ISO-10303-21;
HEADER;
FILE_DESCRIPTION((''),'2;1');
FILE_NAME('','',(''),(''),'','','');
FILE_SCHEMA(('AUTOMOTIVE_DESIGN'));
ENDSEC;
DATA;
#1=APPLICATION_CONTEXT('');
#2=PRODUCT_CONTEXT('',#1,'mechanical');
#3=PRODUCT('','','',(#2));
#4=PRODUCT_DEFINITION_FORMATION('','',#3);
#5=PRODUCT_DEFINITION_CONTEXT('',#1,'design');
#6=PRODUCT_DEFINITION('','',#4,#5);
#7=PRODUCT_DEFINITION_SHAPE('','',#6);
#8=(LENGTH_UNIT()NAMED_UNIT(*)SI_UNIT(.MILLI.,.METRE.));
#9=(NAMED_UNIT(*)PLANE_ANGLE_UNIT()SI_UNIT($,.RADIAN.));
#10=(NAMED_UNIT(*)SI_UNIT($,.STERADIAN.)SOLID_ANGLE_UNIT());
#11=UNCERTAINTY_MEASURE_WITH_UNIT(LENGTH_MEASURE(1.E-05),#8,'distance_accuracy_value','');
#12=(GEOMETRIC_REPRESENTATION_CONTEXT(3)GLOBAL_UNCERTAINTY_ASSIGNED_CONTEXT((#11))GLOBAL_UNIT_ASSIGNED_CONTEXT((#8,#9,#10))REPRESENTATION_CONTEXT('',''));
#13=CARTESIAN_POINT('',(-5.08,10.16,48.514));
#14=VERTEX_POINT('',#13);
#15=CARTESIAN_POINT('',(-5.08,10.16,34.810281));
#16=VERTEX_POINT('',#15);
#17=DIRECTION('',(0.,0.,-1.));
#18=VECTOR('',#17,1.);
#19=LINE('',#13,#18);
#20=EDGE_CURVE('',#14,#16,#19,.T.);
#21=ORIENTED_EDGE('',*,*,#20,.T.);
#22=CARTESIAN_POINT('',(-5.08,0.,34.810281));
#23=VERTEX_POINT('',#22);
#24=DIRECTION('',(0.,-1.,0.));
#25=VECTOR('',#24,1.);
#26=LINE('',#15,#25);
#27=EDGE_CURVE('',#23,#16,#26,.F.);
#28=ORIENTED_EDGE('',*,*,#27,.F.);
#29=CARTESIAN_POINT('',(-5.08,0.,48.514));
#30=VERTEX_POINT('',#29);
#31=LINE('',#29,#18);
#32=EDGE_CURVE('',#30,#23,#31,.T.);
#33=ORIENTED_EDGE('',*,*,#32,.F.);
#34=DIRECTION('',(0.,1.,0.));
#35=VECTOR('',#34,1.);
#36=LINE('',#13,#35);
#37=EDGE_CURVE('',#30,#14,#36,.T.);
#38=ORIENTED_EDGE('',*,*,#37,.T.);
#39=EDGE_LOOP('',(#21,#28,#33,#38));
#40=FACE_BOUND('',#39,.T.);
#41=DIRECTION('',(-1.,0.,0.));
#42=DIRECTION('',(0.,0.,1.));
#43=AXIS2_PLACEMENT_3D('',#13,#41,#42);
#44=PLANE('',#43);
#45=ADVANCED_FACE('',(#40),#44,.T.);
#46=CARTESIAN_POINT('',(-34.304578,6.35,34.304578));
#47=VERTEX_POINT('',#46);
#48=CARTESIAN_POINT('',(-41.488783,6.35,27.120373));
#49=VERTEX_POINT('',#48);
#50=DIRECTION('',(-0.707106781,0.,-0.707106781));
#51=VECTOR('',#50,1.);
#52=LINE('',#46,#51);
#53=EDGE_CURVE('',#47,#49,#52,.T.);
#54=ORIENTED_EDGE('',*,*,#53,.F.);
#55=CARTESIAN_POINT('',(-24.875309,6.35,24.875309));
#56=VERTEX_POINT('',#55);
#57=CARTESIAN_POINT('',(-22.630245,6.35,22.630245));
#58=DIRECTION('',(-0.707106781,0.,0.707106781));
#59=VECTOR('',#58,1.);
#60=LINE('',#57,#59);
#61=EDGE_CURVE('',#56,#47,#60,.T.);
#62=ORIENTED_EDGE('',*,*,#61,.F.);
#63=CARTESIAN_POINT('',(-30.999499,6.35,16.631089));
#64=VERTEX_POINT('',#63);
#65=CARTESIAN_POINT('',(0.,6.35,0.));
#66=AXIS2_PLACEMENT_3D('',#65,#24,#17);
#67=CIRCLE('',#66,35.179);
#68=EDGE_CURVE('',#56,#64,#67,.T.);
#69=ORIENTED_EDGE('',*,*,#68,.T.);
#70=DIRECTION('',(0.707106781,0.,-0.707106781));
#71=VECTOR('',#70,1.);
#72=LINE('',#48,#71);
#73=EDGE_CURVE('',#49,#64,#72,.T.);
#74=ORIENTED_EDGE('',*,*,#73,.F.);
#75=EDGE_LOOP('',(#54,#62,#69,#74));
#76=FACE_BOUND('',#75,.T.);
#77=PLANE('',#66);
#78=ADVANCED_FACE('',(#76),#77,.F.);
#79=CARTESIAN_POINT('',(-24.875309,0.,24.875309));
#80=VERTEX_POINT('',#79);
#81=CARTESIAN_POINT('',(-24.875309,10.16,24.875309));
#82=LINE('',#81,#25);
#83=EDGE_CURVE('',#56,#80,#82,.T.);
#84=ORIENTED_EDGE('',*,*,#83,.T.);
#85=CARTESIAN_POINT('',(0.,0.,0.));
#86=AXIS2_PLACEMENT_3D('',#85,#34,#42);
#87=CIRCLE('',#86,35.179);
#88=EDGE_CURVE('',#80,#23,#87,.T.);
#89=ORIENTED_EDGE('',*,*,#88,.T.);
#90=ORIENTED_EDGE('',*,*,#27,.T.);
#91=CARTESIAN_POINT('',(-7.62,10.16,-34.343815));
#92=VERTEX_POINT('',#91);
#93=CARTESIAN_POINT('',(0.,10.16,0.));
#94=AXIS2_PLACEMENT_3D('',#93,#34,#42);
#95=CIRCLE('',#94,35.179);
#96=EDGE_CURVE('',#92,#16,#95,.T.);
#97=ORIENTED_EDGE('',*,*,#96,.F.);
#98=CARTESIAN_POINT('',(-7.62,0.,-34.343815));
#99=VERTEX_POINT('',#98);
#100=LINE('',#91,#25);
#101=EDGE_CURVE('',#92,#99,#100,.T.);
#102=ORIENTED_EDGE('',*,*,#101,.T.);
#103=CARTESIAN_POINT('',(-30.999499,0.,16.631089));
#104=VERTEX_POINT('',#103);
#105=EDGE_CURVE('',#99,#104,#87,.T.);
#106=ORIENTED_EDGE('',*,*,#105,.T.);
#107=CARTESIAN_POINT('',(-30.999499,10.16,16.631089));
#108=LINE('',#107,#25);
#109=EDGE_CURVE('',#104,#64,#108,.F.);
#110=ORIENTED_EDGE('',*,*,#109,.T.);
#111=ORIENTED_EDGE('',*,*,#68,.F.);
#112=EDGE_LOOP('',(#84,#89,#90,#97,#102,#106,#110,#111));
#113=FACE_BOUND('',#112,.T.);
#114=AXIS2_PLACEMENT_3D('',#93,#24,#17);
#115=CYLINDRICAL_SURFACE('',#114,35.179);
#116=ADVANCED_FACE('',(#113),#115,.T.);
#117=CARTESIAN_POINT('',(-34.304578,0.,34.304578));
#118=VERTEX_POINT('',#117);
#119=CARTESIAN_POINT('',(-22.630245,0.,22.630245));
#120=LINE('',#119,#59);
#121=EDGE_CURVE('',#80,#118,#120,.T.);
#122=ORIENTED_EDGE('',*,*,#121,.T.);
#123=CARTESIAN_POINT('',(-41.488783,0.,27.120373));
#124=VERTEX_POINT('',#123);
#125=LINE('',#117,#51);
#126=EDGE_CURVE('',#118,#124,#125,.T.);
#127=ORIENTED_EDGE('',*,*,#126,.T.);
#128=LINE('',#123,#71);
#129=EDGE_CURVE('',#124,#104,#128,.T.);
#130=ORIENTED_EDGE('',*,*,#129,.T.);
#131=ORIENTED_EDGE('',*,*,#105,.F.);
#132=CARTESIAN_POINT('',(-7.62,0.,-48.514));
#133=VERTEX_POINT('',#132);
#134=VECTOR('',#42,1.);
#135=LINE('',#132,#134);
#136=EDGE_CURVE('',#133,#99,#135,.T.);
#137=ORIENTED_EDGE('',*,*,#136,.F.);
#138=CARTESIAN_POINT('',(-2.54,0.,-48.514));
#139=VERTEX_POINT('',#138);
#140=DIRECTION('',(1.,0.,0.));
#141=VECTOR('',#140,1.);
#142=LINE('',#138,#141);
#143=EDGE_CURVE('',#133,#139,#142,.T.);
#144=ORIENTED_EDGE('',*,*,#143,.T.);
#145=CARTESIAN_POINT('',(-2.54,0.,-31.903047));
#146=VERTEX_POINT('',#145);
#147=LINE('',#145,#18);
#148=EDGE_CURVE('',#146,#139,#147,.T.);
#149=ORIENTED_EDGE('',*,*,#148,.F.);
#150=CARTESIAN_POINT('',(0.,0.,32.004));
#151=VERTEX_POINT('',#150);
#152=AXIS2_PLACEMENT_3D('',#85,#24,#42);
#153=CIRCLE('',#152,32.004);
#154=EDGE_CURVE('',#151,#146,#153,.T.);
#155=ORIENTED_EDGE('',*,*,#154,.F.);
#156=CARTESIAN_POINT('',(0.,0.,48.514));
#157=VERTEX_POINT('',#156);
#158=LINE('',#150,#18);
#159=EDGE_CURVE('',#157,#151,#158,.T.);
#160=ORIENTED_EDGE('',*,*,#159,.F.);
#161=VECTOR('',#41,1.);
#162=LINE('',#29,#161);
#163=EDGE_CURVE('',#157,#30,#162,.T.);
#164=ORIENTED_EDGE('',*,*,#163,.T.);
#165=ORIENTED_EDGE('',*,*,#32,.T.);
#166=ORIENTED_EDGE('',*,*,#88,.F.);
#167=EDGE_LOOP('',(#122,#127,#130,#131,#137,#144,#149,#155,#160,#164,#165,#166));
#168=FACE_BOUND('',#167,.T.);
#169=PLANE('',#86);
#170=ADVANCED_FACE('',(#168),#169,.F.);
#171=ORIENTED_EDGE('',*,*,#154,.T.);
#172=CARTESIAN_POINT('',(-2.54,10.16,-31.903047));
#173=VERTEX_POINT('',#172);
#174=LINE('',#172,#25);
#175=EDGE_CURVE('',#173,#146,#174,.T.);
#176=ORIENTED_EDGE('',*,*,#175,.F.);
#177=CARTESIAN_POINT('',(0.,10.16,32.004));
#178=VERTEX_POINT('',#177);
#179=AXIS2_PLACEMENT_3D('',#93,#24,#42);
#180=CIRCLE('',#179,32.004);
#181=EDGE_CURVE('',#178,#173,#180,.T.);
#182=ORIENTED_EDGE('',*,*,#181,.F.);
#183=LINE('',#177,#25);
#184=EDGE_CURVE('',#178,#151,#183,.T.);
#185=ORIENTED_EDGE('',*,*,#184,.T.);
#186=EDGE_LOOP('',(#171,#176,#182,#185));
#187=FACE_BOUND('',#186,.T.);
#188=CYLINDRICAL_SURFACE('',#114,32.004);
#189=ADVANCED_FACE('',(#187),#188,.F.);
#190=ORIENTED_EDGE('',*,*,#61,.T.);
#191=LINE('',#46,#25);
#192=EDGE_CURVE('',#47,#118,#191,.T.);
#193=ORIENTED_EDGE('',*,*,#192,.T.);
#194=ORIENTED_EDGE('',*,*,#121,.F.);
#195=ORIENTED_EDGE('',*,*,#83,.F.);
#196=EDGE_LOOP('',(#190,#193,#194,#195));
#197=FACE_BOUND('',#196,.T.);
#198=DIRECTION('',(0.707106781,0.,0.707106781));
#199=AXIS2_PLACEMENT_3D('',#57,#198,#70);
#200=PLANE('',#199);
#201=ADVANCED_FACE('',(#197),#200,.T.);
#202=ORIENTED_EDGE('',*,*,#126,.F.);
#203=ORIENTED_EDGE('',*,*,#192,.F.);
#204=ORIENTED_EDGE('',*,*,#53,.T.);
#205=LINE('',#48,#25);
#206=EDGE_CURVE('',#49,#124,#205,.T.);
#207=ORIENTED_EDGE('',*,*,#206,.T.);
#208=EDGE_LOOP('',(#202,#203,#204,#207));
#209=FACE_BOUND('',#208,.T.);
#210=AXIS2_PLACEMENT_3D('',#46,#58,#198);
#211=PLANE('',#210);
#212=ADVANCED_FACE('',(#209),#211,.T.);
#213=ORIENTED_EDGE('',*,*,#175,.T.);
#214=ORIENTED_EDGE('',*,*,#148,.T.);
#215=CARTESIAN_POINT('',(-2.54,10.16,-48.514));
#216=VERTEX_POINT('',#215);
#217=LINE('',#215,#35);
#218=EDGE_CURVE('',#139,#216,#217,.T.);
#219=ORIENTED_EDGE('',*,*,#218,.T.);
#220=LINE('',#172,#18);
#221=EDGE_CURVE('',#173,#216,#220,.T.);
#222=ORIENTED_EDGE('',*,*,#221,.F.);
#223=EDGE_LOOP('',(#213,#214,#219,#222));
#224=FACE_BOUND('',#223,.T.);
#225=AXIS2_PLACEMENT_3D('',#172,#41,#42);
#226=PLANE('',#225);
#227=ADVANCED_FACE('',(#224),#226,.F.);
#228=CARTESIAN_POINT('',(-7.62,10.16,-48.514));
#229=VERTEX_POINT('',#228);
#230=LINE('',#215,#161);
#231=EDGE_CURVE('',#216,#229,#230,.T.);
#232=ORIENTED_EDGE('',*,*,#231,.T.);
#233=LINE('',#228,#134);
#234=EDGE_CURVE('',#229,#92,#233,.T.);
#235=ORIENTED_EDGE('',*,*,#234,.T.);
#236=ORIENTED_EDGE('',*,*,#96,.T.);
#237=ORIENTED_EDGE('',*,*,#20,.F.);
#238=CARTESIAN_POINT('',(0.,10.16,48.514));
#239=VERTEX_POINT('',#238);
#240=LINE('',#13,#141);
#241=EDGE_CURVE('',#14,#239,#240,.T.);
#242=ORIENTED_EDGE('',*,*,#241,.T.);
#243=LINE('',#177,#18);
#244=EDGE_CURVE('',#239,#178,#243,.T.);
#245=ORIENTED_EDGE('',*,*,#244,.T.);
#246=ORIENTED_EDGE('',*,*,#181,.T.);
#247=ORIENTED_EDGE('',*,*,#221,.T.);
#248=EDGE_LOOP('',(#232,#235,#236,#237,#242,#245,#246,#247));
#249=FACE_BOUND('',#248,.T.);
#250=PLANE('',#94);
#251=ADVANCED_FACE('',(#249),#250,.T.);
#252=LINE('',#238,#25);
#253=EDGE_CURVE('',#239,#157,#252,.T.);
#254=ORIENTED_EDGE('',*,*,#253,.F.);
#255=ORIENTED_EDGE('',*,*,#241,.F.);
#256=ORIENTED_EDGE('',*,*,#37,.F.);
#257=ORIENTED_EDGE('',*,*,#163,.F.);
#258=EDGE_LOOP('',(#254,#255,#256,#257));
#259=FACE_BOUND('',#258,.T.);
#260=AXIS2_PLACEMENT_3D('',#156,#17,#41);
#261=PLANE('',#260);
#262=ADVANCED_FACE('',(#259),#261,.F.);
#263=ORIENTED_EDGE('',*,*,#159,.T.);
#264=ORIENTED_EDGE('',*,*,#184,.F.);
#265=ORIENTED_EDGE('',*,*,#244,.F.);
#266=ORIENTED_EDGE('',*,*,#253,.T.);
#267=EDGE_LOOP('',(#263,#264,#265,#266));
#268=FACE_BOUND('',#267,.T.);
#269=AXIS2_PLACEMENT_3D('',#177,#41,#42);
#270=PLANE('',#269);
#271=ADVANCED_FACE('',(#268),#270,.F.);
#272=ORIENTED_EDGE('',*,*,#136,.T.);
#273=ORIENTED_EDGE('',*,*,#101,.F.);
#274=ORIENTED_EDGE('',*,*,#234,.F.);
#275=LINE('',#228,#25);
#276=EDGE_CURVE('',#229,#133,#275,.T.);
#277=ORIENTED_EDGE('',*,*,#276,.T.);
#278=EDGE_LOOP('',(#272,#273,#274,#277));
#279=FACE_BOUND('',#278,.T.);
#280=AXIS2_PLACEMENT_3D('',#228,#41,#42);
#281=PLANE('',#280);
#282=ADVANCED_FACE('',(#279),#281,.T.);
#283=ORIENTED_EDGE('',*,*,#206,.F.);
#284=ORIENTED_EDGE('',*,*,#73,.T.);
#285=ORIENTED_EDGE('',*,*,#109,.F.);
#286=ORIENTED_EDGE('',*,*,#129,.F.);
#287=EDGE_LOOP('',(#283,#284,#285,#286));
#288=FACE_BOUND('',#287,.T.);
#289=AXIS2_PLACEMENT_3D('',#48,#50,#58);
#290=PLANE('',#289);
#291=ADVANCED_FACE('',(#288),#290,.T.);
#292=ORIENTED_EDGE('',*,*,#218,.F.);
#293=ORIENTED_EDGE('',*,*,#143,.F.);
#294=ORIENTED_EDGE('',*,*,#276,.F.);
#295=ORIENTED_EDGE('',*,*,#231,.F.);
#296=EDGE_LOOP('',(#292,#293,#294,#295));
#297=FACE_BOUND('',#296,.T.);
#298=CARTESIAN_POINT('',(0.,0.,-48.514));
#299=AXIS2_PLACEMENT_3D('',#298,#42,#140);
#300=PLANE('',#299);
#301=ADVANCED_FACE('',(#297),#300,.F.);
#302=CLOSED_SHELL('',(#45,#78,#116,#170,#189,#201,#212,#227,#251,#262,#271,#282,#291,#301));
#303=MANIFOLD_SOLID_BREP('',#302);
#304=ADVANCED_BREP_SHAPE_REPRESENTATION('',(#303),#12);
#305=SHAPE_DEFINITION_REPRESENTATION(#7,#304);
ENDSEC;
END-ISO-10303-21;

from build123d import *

# Parameters (mm, degrees)
BOSS_EXTRUDE1_DEPTH = 10.16
SKETCH3_W           = 10.16
SKETCH3_H           = 5.08
BOSS_EXTRUDE2_DEPTH = 16.51
SKETCH4_W           = 10.16
SKETCH4_H           = 5.08
BOSS_EXTRUDE3_DEPTH = 16.51
BOSS_EXTRUDE5_DEPTH = 6.35


with BuildPart() as part:
    # Sketch1 → Boss-Extrude1 (new body)
    with BuildSketch(Plane(origin=(0, 0, 0), x_dir=(1, 0, 0), z_dir=(0, 1, 0))):
        with BuildLine():
            Line((0, -32.004), (0, -35.179))
            ThreePointArc((0, -35.179), (-35.156038364, -1.270829481), (-2.54, 35.087183429))
            Line((-2.54, 35.087183429), (-2.54, 31.903047127))
            ThreePointArc((-2.54, 31.903047127), (-31.978751823, -1.271002703), (0, -32.004))
        make_face()
    extrude(amount=BOSS_EXTRUDE1_DEPTH)

    # Sketch3 → Boss-Extrude2 (add)
    with BuildSketch(Plane(origin=(0, 0, 32.004), x_dir=(0, -1, 0), z_dir=(0, 0, -1))):
        with Locations((-5.08, 2.54)):
            Rectangle(SKETCH3_W, SKETCH3_H)
    extrude(amount=-BOSS_EXTRUDE2_DEPTH)

    # Sketch4 → Boss-Extrude3 (add)
    with BuildSketch(Plane(origin=(0, 0, -32.004), x_dir=(0, -1, 0), z_dir=(0, 0, 1))):
        with Locations((-5.08, -5.08)):
            Rectangle(SKETCH4_W, SKETCH4_H)
    extrude(amount=-BOSS_EXTRUDE3_DEPTH)

    # Sketch6 → Boss-Extrude5 (add)
    with BuildSketch(Plane.XZ):
        Polygon((-22.630245425, 22.630245425), (-34.304578382, 34.304578382), (-41.488783279, 27.120373486), (-29.814450322, 15.446040528), align=None)
    extrude(amount=-BOSS_EXTRUDE5_DEPTH)


solid = part.part
